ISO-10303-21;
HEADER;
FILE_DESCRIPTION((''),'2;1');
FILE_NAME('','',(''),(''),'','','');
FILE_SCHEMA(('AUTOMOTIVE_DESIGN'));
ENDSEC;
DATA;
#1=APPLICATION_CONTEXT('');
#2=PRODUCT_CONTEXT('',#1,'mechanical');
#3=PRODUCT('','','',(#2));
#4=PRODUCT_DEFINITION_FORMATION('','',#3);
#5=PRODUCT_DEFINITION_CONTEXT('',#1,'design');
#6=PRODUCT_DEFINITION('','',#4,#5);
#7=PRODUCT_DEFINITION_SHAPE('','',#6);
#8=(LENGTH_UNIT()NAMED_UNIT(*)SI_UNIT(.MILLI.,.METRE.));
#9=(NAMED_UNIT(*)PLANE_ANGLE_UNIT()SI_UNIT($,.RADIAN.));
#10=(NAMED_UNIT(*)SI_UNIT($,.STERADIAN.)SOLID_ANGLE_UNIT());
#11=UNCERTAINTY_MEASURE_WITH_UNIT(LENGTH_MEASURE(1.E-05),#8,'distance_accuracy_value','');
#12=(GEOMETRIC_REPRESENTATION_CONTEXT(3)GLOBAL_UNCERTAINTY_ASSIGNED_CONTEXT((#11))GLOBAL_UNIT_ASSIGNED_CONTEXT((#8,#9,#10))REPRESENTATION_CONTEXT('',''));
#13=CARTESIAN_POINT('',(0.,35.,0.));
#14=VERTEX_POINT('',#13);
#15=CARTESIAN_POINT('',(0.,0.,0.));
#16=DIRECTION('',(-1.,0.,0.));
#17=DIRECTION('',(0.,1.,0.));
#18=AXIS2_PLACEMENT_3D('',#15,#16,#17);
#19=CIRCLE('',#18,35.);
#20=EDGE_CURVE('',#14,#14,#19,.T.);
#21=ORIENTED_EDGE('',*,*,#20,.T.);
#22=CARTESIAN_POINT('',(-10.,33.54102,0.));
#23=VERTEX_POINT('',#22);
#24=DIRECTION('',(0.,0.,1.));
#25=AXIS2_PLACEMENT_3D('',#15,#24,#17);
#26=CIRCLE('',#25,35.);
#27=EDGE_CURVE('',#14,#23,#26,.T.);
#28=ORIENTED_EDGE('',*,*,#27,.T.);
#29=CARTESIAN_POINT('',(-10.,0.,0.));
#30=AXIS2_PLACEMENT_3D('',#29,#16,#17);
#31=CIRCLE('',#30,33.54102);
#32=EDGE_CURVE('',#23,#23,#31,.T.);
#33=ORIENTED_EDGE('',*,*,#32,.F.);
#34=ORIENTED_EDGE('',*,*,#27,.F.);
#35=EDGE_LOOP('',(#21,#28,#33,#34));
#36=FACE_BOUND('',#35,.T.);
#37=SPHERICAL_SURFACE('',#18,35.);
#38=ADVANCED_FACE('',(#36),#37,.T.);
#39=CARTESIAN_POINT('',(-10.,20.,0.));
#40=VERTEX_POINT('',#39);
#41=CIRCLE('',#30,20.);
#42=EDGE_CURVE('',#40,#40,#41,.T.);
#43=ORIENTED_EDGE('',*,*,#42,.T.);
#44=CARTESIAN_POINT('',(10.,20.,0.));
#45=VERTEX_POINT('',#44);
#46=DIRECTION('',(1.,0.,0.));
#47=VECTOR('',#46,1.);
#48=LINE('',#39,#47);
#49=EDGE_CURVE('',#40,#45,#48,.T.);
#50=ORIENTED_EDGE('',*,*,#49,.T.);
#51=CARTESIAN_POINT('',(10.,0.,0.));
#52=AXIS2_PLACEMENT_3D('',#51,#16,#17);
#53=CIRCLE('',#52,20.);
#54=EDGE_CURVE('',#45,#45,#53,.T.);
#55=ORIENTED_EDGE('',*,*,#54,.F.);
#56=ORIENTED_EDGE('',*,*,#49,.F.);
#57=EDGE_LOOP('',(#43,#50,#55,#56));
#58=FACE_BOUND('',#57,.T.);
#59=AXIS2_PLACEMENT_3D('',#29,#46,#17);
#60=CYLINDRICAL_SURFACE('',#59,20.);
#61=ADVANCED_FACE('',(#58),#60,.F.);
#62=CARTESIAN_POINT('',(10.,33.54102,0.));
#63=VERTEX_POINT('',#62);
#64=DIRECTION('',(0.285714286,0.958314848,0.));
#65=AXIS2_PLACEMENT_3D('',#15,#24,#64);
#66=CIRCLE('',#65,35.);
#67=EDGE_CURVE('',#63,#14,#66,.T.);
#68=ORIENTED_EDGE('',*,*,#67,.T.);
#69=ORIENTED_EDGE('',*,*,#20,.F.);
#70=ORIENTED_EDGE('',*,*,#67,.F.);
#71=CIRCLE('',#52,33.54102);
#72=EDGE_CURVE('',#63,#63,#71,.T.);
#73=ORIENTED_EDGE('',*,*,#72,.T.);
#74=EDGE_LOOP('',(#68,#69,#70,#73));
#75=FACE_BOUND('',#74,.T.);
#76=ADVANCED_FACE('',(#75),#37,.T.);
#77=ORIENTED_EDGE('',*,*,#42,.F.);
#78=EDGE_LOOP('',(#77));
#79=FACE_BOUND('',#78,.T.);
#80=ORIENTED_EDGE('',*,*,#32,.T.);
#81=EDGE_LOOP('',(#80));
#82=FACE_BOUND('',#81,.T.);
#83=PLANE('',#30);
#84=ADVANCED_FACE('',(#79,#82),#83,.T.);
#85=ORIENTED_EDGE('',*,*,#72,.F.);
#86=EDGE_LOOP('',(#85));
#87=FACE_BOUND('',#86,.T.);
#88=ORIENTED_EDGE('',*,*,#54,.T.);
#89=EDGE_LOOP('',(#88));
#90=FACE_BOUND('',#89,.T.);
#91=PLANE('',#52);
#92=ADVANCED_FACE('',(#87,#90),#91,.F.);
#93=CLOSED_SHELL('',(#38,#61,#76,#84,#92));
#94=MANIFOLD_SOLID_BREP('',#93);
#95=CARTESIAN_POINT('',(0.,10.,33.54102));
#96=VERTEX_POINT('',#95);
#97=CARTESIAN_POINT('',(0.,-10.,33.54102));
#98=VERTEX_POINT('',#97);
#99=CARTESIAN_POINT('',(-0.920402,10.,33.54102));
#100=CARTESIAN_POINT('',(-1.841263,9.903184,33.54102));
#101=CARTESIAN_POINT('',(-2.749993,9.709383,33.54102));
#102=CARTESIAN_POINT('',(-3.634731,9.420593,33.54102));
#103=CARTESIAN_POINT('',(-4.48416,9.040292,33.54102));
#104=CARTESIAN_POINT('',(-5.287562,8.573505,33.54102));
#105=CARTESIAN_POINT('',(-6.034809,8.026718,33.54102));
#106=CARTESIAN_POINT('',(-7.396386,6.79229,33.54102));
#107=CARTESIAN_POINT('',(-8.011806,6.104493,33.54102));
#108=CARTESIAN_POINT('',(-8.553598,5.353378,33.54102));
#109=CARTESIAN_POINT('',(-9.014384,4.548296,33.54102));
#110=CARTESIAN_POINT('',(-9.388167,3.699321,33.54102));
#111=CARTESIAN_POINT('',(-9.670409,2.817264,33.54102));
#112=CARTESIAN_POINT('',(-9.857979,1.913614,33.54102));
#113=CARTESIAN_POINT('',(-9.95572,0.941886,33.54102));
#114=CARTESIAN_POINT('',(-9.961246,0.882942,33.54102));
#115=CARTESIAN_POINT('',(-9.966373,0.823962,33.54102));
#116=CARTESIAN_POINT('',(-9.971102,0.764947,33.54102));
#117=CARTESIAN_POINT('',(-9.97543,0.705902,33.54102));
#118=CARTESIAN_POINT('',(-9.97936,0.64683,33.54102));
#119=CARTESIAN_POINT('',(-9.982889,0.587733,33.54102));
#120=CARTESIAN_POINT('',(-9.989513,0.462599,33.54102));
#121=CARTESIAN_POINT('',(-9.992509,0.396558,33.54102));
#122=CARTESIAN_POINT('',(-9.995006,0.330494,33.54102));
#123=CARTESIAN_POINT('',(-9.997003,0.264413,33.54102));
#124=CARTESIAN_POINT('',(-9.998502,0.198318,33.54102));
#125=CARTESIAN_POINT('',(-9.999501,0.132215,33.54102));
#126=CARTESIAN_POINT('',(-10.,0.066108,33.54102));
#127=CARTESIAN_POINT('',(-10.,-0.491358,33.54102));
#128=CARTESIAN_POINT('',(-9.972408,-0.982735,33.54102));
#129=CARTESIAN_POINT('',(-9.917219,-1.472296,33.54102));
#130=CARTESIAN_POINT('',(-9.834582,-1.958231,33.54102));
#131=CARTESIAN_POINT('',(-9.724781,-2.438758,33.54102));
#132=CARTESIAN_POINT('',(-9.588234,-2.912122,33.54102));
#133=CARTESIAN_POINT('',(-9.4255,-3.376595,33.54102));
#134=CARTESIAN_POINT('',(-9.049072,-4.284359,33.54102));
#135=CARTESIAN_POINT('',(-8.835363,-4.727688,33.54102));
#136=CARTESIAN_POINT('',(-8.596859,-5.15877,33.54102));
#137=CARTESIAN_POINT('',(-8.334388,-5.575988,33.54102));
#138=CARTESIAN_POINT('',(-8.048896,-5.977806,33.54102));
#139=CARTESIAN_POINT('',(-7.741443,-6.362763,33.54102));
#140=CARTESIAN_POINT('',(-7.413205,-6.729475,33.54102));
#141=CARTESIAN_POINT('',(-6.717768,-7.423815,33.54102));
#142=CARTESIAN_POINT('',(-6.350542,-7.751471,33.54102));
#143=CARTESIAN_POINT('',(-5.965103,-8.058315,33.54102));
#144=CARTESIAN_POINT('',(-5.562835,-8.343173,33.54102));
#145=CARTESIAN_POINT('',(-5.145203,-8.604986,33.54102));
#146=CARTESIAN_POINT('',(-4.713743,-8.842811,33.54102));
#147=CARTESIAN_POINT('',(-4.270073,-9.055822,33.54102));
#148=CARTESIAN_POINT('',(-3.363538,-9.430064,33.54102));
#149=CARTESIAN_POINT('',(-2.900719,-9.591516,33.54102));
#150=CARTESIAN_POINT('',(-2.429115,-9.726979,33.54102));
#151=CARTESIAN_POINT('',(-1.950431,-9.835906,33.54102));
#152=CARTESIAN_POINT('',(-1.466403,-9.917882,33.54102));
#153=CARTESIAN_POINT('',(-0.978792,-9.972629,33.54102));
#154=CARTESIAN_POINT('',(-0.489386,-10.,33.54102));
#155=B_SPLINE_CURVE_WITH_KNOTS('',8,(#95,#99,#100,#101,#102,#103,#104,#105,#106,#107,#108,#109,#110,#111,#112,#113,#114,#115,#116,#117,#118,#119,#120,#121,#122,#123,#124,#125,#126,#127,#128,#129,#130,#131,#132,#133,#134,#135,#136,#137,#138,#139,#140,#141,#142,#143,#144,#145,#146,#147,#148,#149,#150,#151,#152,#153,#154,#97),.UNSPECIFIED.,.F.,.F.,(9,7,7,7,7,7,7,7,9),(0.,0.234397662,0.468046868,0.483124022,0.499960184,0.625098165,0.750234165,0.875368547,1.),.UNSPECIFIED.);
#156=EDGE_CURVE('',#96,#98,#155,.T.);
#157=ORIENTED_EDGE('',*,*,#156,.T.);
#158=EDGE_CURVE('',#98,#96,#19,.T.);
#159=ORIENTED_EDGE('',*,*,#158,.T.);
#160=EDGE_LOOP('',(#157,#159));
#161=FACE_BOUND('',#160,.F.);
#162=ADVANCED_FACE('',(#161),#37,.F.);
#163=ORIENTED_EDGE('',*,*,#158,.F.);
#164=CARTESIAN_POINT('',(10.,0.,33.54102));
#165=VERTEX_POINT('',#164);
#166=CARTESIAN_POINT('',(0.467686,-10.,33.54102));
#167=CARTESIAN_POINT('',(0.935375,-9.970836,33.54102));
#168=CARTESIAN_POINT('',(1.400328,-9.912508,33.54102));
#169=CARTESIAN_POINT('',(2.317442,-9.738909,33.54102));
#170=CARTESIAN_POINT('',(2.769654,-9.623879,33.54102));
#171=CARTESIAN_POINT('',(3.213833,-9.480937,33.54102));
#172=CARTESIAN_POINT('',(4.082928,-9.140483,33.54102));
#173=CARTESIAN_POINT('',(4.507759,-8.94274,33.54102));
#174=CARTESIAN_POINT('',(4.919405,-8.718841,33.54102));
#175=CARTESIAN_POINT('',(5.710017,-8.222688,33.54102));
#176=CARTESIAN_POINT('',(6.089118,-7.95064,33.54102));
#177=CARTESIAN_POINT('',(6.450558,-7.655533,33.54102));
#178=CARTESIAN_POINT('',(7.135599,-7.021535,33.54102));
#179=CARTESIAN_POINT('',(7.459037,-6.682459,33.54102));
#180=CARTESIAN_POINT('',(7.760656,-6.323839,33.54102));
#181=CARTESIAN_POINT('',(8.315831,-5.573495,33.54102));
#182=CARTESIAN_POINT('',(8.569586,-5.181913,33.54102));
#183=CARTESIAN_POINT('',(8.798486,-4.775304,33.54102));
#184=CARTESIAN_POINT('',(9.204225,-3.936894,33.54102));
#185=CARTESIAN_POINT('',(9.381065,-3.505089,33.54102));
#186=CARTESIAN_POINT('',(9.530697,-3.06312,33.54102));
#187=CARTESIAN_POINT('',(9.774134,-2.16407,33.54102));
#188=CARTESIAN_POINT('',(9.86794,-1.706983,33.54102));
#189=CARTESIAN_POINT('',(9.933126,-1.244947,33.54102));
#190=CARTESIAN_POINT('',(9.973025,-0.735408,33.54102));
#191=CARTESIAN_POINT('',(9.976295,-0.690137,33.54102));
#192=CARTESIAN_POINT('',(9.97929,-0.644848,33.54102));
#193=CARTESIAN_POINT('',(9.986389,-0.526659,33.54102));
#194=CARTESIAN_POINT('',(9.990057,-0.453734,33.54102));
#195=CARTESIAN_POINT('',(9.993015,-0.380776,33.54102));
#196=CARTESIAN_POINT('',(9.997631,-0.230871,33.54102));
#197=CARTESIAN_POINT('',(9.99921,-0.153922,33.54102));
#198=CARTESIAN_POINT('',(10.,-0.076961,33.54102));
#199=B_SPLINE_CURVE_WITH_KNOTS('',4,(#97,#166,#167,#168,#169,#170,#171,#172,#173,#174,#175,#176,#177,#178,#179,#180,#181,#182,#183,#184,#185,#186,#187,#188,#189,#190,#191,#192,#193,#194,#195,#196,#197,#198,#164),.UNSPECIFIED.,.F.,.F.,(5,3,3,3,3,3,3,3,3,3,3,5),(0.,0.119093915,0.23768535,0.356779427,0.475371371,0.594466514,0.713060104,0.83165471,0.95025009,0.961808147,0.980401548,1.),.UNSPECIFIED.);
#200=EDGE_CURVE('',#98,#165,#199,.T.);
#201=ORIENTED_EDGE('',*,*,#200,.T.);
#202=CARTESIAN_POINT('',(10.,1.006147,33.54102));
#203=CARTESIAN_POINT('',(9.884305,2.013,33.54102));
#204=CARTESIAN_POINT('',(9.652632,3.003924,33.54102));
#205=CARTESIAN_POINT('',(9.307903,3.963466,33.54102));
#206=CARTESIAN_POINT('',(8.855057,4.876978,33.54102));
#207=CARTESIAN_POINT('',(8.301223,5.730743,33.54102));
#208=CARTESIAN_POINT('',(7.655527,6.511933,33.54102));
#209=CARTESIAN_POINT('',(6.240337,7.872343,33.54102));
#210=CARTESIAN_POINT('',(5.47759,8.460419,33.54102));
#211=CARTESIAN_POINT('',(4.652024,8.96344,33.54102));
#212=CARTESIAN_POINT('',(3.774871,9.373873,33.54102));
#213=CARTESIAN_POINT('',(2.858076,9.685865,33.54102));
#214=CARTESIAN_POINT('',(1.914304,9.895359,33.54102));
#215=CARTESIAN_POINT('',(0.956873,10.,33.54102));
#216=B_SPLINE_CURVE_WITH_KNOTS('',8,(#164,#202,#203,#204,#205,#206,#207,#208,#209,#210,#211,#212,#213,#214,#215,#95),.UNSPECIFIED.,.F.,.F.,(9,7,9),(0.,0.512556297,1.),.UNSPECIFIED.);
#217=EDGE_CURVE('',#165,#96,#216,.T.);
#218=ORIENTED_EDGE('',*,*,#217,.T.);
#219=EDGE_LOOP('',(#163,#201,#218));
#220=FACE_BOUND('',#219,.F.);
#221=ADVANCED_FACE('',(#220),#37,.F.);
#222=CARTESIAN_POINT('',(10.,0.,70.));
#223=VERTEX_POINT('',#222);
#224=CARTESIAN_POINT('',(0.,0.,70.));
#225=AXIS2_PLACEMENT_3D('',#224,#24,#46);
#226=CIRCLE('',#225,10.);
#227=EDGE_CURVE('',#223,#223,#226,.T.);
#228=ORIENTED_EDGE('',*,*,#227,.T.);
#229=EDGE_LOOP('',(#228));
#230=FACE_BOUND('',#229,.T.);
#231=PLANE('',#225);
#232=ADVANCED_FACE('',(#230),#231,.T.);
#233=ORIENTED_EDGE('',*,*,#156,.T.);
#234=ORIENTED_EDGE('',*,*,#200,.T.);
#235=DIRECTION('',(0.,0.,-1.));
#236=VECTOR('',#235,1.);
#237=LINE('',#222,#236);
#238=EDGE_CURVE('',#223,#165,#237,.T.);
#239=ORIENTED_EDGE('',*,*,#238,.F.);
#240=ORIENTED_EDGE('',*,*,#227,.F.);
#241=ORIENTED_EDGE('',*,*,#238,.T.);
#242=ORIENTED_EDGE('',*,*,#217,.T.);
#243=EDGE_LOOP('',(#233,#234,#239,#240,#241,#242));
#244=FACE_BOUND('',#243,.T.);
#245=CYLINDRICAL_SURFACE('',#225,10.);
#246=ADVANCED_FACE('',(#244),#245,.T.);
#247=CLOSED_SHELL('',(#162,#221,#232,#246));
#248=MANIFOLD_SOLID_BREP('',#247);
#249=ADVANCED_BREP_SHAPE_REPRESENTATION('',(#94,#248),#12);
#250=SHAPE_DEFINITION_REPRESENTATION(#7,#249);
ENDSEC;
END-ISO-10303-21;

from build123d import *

# Parameters (mm, degrees)
F3_R = 10


with BuildPart() as f1:
    # F0 (on Top) → F1 (revolve)
    with BuildSketch(Plane.XY):
        with BuildLine():
            ThreePointArc((10, 33.5410196625), (5.0529353752, 34.6333342907), (0, 35))
            Line((0, 35), (0, 20))
            Line((0, 20), (10, 20))
            Line((10, 20), (10, 33.5410196625))
        make_face()
        with BuildLine():
            Line((0, 20), (0, 35))
            ThreePointArc((0, 35), (-5.0529353752, 34.6333342907), (-10, 33.5410196625))
            Line((-10, 33.5410196625), (-10, 20))
            Line((-10, 20), (0, 20))
        make_face()
    revolve(axis=Axis((-5, 0, 0), (-1, 0, 0)))


with BuildPart() as f4:
    # F3 (on offset) → F4 (new body, up to the next surface of F1)
    with BuildSketch(Plane.XY.offset(70)):
        Circle(F3_R)
    extrude(until=Until.NEXT, target=f1.part, dir=(0, 0, -1))


solid = Compound([f1.part, f4.part])
